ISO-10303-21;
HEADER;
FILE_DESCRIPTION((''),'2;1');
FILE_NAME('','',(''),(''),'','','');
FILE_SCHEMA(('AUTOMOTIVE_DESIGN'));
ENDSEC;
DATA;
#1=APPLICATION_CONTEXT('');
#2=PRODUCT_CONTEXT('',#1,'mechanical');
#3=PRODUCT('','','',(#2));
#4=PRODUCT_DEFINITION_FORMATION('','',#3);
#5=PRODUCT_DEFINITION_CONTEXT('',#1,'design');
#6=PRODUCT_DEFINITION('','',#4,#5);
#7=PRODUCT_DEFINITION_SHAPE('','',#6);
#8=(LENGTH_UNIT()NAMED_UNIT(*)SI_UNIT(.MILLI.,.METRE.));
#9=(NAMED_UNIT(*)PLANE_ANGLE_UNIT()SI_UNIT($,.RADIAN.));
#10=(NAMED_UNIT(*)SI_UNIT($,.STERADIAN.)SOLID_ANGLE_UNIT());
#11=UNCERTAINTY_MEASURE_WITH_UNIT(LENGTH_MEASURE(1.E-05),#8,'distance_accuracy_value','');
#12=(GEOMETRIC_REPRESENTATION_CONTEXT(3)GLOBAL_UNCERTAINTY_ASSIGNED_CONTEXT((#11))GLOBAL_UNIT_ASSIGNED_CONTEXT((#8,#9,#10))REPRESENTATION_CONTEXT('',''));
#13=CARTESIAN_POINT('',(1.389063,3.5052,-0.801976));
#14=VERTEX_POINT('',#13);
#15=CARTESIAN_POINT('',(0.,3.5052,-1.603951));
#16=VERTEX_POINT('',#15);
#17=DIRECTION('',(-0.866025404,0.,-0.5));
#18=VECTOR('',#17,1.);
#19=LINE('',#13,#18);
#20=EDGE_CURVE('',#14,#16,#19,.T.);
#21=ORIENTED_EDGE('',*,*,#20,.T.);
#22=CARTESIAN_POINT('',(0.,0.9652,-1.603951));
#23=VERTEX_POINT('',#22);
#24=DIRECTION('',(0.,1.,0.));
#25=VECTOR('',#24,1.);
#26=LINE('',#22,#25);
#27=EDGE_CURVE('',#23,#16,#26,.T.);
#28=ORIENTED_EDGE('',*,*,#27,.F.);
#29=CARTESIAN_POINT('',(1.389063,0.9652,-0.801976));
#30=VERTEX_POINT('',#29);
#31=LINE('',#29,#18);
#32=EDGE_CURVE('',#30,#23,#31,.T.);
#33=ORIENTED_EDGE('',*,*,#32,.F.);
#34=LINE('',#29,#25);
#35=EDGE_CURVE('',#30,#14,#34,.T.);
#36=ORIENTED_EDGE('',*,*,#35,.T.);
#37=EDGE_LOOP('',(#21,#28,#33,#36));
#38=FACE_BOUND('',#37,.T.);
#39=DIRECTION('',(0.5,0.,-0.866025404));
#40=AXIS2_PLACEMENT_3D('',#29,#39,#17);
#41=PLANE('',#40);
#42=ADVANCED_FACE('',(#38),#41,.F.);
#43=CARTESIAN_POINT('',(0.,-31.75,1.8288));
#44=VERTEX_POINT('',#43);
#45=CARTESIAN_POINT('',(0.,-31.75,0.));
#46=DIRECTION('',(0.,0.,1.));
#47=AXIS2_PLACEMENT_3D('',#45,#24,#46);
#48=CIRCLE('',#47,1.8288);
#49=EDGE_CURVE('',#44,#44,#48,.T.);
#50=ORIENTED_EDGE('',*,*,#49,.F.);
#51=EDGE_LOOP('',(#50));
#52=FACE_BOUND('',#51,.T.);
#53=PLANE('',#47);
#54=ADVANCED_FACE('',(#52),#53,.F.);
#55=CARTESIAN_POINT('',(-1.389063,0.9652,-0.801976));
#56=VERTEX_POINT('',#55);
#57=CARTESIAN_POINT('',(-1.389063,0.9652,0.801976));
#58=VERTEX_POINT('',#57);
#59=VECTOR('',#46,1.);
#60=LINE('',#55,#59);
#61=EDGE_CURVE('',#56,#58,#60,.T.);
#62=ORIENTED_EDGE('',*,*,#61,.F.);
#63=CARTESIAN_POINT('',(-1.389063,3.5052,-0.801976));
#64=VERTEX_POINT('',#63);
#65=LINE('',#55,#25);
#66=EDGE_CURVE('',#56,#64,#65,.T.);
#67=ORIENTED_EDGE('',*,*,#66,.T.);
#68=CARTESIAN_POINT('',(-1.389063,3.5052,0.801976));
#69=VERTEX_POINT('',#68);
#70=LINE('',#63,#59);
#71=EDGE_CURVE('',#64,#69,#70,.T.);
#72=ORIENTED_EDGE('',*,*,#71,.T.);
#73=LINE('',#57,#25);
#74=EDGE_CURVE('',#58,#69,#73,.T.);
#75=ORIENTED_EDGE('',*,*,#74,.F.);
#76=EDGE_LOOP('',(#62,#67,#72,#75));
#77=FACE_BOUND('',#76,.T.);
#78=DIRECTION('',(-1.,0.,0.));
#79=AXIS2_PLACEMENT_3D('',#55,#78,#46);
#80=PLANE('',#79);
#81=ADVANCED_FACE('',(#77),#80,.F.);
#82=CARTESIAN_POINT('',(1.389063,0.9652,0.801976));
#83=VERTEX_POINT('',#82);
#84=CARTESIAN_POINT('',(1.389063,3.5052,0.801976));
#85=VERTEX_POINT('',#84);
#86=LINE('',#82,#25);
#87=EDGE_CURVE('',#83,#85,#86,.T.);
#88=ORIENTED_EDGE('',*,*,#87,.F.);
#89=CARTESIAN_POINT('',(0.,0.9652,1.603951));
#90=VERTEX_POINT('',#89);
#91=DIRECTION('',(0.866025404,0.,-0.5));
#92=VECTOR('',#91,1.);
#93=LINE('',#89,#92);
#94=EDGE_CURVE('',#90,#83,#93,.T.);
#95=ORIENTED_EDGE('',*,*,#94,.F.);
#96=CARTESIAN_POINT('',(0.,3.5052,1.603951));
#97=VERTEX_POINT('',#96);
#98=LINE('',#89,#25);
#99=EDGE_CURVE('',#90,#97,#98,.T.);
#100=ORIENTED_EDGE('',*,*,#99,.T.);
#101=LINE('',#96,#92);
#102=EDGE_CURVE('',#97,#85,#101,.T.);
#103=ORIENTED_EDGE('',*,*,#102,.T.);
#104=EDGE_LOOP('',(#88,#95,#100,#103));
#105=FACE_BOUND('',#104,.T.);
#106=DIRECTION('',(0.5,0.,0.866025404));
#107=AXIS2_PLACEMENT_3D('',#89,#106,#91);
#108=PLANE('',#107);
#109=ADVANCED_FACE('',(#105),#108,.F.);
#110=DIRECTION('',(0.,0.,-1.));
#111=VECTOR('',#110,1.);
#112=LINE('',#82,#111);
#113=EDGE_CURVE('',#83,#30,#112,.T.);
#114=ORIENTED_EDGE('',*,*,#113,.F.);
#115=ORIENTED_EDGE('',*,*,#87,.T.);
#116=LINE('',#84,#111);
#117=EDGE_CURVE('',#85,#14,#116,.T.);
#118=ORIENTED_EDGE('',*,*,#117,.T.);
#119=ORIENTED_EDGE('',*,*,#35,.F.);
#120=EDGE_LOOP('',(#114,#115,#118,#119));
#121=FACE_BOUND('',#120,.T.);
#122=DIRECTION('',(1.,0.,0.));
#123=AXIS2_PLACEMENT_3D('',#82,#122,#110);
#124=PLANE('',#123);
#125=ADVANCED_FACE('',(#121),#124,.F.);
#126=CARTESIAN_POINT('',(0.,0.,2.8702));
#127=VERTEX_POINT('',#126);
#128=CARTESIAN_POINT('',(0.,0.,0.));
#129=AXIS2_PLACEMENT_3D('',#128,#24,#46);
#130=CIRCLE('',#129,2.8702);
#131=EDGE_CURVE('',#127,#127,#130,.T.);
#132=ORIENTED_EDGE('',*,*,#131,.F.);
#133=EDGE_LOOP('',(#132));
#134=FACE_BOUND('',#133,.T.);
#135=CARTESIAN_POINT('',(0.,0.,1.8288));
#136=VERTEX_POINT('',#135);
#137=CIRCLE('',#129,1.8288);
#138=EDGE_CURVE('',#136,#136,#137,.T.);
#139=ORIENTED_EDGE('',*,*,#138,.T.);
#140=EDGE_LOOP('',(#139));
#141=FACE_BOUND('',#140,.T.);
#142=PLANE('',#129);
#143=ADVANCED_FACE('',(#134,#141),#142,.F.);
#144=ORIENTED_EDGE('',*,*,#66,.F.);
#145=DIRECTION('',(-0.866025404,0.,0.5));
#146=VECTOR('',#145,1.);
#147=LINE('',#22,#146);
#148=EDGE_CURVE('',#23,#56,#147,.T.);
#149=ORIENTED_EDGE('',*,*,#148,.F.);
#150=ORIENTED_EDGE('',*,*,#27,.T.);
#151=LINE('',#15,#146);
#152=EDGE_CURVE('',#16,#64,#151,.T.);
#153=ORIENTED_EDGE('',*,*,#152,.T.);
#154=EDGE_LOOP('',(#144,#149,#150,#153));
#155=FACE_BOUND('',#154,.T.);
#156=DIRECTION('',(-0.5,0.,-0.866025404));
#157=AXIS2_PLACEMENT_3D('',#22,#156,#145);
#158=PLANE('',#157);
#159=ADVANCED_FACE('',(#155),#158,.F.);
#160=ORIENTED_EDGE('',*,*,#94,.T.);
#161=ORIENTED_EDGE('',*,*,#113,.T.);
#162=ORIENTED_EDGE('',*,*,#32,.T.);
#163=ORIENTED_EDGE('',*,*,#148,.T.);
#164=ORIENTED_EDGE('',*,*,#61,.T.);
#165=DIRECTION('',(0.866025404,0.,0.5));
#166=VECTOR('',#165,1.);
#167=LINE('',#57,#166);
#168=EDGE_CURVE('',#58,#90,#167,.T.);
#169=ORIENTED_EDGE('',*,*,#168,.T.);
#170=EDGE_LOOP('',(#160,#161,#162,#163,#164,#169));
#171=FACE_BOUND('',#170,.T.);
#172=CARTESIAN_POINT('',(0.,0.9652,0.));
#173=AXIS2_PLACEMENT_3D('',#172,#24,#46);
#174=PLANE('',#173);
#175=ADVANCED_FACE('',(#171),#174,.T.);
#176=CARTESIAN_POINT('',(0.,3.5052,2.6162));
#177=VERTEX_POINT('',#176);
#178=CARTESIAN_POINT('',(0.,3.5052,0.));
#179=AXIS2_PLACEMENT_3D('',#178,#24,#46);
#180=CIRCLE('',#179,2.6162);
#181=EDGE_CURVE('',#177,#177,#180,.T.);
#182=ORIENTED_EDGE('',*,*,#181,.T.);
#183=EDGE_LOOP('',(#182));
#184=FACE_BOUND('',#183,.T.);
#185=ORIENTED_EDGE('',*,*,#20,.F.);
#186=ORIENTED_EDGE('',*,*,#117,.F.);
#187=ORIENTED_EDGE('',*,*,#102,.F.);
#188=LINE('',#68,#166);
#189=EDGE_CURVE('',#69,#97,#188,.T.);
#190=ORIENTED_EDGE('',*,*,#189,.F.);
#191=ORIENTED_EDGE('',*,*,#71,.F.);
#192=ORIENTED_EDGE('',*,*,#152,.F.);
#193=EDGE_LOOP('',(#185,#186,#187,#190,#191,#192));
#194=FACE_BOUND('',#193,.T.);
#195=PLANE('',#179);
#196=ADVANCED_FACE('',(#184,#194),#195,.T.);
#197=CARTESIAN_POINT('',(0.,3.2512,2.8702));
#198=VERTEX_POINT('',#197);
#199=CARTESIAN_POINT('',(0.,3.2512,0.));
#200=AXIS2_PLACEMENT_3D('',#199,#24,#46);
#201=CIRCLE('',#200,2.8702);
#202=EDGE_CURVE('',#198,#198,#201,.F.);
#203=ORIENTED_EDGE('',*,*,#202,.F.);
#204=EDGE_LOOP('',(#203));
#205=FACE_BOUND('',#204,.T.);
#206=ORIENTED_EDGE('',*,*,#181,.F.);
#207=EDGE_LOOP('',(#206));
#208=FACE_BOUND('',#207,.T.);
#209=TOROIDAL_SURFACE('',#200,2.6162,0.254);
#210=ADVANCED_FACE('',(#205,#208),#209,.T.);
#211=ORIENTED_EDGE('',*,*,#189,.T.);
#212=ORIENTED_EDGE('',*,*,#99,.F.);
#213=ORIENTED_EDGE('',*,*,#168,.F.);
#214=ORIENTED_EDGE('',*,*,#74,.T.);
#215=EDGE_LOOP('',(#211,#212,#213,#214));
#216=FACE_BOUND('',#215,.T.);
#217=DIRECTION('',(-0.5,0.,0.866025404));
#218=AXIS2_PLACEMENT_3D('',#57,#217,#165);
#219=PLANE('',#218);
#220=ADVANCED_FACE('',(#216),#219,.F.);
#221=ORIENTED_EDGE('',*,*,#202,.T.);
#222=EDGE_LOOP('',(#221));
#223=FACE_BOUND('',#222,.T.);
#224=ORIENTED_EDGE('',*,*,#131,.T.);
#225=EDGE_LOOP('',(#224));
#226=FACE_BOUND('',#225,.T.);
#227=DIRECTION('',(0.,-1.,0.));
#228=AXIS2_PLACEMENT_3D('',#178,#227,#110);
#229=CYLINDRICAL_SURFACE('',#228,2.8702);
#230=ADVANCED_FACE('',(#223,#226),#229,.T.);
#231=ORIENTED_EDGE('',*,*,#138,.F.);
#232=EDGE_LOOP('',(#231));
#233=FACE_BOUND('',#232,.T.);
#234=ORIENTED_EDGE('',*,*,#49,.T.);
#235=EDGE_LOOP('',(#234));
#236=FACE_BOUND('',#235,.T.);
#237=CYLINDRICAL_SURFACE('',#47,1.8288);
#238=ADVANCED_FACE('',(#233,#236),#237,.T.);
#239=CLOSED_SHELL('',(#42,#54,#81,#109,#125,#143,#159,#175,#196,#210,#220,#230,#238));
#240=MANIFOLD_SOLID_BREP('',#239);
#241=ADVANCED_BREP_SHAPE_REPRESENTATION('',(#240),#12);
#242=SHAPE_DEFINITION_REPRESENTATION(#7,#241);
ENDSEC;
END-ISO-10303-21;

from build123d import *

# Parameters (mm, degrees)
SKETCH1_R           = 1.8288
BOSS_EXTRUDE1_DEPTH = 31.75
SKETCH2_R           = 2.8702
BOSS_EXTRUDE2_DEPTH = 3.5052
FILLET1_R           = 0.254
CUT_EXTRUDE1_DEPTH  = 2.54


with BuildPart() as part:
    # Sketch1 → Boss-Extrude1 (new body)
    with BuildSketch(Plane(origin=(0, 0, 0), x_dir=(1, 0, 0), z_dir=(0, 1, 0))):
        with Locations(Location((0, 0, 0), (0, 0, 270))):
            Circle(SKETCH1_R)
    extrude(amount=-BOSS_EXTRUDE1_DEPTH)

    # Sketch2 → Boss-Extrude2 (add)
    with BuildSketch(Plane(origin=(0, 0, 0), x_dir=(1, 0, 0), z_dir=(0, 1, 0))):
        with Locations(Location((0, 0, 0), (0, 0, 270))):
            Circle(SKETCH2_R)
    extrude(amount=BOSS_EXTRUDE2_DEPTH)

    # Fillet1
    fillet1_edges = [part.edges().sort_by_distance(p)[0] for p in [
        (0, 3.5052, -2.8702),
    ]]
    fillet(fillet1_edges, radius=FILLET1_R)

    # Sketch3 → Cut-Extrude1 (cut)
    with BuildSketch(Plane(origin=(0, 3.5052, 0), x_dir=(1, 0, 0), z_dir=(0, 1, 0))):
        Polygon((0, 1.603951217), (-1.3890625, 0.801975608), (-1.3890625, -0.801975608), (0, -1.603951217), (1.3890625, -0.801975608), (1.3890625, 0.801975608), align=None)
    extrude(amount=-CUT_EXTRUDE1_DEPTH, mode=Mode.SUBTRACT)


solid = part.part
